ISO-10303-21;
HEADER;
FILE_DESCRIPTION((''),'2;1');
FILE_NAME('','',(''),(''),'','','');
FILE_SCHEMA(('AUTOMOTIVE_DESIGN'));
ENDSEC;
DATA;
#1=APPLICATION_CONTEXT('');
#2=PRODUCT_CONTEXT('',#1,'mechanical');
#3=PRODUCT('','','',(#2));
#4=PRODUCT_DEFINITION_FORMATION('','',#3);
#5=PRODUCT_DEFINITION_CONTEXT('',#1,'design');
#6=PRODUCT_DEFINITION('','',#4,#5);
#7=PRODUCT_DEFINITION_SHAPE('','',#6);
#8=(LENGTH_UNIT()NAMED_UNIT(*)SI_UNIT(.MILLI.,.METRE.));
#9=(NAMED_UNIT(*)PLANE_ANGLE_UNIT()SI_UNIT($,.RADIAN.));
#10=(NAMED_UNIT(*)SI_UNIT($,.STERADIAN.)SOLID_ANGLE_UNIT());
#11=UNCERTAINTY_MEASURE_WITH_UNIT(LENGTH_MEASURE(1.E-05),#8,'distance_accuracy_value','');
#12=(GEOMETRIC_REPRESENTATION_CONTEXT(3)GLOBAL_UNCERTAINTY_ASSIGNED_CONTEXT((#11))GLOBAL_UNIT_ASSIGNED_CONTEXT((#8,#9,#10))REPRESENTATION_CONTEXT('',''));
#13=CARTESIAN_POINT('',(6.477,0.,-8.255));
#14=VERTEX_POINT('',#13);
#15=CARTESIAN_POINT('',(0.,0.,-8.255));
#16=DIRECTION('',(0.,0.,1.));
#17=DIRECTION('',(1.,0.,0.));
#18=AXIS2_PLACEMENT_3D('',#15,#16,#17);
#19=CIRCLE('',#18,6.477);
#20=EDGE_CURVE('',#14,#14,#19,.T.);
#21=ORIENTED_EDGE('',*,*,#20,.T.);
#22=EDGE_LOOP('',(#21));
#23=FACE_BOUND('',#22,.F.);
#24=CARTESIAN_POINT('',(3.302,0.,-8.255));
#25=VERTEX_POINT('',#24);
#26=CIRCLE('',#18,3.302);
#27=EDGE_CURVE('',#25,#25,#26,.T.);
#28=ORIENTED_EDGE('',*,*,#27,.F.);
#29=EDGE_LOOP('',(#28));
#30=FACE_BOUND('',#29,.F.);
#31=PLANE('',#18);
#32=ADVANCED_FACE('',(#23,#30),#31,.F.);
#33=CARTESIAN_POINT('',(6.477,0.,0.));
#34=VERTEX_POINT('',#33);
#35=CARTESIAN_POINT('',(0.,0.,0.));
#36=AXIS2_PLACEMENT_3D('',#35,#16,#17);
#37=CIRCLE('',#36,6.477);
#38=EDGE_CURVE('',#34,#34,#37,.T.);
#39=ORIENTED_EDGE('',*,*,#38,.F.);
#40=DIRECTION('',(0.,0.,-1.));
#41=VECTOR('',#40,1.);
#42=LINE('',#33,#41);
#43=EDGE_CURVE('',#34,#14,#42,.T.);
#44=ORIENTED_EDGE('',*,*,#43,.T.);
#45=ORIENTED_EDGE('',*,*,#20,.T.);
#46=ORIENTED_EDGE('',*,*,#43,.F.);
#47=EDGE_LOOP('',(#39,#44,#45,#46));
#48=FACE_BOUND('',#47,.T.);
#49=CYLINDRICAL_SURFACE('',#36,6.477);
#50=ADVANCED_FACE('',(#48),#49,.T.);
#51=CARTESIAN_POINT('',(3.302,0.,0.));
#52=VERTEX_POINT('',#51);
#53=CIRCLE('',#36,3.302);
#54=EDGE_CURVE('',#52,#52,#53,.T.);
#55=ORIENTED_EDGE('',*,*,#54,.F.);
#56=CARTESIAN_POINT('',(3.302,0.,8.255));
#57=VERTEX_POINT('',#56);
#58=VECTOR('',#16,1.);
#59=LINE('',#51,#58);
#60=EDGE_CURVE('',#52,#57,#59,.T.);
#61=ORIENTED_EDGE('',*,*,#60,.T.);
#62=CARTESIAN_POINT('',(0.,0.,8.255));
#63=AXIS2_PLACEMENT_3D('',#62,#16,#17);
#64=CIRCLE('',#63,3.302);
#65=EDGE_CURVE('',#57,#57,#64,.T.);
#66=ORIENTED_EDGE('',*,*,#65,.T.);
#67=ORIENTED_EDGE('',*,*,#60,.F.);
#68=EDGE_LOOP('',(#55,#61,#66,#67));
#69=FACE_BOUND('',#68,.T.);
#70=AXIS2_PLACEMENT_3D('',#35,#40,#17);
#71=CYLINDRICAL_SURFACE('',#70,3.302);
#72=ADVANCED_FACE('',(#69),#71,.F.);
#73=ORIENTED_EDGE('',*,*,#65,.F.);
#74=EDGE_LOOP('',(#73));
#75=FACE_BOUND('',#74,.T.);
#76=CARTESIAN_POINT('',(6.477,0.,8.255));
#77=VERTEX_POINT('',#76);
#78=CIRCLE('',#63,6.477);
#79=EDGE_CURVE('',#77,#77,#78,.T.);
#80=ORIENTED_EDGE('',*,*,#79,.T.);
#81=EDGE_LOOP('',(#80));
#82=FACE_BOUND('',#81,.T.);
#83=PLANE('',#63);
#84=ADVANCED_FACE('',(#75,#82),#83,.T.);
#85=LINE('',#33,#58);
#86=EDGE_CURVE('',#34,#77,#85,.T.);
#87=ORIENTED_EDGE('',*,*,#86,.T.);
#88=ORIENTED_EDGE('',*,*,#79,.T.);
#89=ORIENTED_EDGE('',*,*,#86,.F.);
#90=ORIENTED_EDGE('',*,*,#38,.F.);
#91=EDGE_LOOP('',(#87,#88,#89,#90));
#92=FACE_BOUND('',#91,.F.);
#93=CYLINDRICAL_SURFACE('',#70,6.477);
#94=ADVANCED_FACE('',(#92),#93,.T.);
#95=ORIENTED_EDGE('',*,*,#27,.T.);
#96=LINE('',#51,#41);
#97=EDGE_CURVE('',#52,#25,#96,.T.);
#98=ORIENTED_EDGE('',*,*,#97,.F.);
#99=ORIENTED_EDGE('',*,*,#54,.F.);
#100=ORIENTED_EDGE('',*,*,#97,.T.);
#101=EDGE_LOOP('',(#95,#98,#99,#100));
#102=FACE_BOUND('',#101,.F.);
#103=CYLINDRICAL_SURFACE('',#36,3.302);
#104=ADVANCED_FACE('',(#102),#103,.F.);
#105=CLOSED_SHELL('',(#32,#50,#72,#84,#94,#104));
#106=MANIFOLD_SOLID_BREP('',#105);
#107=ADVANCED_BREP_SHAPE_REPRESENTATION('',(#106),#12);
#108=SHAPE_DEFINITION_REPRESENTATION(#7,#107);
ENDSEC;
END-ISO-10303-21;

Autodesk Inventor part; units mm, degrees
ref_plane "YZ Plane" through (0, 0, 0) normal (1, 0, 0) x (0, 1, 0)
ref_plane "XZ Plane" through (0, 0, 0) normal (0, 1, 0) x (-1, 0, 0)
ref_plane "XY Plane" through (0, 0, 0) normal (0, 0, 1) x (1, 0, 0)
sketch "Sketch1" plane through (0, 0, 0) normal (0, 0, 1) x (1, 0, 0)
  circle A0 centre (0, 0) radius 3.302
  circle A1 centre (0, 0) radius 6.477
  dimension "Hex" = 6.604
  dimension "Thickness" = 3.175
extrude "Extrusion1" add sketch "Sketch1" along normal mid plane 16.51
equation "\"Tolerance_H\" = 0.3"
equation "\"Size\" = 12.7"
equation "\"Length\" = 30.2768"
equation "\"Tolerance_L\" = 0.508"
equation "\"Final_Metric\" = Hex"
equation "\"Thunder\" = 13.7541"
properties part number "EL2-GB-009Spacer" material "ABS Plastic"
